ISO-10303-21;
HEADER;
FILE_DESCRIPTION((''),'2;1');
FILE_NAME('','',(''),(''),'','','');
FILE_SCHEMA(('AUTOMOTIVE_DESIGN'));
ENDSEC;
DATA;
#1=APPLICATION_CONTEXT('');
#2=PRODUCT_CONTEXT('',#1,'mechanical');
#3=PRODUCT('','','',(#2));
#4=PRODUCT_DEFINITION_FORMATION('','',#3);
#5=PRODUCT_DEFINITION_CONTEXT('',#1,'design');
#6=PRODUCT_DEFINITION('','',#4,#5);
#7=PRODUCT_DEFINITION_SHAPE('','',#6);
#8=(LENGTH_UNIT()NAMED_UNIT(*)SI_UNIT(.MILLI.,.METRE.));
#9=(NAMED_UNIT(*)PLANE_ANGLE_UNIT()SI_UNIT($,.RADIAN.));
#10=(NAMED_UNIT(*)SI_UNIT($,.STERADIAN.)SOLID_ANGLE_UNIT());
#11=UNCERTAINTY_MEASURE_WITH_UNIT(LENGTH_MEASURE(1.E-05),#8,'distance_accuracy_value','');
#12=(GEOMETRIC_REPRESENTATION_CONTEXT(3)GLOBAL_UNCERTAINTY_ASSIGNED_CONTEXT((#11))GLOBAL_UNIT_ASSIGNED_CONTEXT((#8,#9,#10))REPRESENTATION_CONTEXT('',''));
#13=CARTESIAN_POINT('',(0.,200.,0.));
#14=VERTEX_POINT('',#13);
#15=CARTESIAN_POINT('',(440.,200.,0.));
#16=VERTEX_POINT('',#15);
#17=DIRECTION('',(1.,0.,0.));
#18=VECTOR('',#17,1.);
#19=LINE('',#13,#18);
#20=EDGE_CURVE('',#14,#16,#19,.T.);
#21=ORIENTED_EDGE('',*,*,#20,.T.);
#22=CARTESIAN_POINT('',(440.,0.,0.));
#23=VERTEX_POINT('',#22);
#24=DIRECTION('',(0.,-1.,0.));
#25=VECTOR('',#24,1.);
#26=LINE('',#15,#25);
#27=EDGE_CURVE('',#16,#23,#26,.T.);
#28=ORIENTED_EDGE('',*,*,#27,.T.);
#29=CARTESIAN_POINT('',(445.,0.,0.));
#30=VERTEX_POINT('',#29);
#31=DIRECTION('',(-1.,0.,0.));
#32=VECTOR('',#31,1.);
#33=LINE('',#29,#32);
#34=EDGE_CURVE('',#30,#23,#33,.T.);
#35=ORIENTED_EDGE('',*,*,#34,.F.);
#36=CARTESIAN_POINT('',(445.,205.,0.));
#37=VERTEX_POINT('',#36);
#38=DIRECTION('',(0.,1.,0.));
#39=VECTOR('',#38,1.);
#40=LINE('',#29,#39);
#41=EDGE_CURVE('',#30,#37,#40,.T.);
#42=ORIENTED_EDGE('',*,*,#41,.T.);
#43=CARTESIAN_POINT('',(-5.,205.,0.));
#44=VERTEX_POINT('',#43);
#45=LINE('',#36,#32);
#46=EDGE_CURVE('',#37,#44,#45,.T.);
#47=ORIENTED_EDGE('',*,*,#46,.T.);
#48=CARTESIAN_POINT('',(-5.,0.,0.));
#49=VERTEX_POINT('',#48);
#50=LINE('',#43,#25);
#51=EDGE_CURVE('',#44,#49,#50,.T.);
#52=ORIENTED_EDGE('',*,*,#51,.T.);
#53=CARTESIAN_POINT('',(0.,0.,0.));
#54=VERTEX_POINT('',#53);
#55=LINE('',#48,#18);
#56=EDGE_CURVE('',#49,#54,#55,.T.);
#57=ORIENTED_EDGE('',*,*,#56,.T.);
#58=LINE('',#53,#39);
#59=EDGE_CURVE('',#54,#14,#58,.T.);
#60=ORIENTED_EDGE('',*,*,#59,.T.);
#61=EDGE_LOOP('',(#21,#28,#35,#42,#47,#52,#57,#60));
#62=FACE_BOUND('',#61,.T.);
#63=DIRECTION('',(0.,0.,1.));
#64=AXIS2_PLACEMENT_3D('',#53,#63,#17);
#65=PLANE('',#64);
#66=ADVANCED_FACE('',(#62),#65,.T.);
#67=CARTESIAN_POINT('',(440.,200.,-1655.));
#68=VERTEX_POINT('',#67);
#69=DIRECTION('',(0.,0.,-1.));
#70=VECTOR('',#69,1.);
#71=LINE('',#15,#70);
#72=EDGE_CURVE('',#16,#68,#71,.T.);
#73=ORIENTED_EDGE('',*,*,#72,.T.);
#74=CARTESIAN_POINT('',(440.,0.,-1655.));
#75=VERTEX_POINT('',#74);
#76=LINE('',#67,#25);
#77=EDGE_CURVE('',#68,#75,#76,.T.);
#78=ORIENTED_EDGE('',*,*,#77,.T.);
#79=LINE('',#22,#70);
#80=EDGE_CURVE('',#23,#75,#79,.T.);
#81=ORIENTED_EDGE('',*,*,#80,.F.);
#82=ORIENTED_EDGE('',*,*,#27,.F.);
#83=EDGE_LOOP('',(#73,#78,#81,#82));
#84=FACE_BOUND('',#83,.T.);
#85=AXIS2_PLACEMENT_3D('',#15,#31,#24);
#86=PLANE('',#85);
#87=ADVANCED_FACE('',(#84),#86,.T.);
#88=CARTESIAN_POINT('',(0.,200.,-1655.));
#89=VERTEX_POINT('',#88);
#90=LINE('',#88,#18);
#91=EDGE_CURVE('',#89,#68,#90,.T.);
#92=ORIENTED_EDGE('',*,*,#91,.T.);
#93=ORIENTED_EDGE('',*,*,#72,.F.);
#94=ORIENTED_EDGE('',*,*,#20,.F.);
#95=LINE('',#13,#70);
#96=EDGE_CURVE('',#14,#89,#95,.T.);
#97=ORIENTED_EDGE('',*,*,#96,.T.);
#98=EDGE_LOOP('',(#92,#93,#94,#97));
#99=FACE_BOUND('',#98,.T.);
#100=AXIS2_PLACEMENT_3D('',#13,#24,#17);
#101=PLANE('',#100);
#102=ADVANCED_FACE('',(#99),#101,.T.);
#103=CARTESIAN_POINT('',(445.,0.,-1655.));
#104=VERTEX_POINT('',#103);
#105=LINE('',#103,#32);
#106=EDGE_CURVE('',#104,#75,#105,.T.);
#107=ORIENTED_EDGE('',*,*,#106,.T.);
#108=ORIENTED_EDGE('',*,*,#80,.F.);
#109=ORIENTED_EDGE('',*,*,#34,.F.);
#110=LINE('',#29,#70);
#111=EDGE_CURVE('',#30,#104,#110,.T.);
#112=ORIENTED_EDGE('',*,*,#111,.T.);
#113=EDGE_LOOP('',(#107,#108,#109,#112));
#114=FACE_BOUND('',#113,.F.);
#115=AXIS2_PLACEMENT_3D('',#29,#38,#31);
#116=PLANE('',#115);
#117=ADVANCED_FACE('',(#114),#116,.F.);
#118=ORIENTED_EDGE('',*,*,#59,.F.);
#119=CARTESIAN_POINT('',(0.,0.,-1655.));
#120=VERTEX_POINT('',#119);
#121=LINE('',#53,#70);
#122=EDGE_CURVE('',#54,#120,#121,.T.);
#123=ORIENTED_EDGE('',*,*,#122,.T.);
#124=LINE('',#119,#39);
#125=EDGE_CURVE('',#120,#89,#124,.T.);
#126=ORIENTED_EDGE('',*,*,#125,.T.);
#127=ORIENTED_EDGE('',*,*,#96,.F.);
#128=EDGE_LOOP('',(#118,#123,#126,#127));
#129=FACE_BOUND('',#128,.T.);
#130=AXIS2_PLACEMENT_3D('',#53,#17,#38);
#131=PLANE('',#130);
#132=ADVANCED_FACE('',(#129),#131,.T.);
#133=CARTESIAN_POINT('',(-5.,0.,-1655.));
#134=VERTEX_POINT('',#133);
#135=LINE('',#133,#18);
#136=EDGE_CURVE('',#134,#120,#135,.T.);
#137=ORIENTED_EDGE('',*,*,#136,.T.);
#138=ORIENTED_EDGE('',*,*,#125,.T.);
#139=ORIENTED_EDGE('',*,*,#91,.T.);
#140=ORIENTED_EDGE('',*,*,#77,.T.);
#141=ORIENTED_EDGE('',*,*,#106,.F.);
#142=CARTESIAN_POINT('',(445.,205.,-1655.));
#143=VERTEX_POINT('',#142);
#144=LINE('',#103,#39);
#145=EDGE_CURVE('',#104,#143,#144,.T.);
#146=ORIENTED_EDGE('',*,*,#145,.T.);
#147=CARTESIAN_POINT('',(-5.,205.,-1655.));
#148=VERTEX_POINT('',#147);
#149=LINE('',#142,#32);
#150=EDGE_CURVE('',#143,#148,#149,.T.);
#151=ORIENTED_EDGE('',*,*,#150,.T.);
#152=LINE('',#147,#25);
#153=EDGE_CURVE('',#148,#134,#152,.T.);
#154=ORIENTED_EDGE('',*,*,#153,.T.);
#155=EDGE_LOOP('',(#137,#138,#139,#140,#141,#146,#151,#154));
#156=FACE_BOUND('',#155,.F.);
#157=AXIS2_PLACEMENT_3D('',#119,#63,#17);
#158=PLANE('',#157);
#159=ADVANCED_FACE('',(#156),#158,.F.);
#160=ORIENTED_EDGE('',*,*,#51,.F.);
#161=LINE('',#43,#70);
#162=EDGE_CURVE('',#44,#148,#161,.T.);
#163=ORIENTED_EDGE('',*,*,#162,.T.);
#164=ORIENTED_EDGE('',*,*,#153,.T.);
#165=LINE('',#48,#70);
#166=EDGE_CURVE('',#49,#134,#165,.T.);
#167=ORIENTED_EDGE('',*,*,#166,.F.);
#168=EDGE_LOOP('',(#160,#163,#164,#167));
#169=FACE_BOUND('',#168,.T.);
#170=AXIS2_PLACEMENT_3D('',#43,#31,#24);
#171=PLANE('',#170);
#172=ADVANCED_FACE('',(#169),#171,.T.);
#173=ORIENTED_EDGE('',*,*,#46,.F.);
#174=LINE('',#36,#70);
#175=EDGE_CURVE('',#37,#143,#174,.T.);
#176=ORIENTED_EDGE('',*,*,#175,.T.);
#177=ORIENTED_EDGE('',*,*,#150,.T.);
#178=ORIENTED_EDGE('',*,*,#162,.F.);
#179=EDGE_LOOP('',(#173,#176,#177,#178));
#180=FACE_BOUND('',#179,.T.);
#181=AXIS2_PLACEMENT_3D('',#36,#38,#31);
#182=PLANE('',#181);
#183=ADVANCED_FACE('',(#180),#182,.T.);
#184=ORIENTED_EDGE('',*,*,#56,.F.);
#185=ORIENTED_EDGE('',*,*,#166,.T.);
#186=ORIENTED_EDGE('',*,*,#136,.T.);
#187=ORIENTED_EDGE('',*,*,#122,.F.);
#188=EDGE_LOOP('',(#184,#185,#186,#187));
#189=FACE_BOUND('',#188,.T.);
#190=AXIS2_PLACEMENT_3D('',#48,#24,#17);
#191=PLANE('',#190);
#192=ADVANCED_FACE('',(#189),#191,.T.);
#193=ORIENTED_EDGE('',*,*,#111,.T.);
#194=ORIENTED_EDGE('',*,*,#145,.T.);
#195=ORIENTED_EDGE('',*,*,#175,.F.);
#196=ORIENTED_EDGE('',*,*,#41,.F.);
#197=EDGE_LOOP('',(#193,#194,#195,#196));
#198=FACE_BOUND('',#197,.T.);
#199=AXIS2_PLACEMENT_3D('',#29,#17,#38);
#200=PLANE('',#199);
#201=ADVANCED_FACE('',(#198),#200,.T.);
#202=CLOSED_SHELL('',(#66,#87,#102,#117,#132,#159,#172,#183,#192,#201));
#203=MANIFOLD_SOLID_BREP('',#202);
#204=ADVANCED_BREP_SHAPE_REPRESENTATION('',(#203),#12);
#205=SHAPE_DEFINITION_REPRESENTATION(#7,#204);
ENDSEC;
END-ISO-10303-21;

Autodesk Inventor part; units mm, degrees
ref_plane "YZ Plane" through (0, 0, 0) normal (1, 0, 0) x (0, 1, 0)
ref_plane "XZ Plane" through (0, 0, 0) normal (0, 1, 0) x (-1, 0, 0)
ref_plane "XY Plane" through (0, 0, 0) normal (0, 0, 1) x (1, 0, 0)
sketch "Sketch1" plane through (0, 0, 0) normal (0, 0, 1) x (1, 0, 0)
  line L0 (0, 0) -> (0, 200)
  line L1 (0, 200) -> (440, 200)
  line L2 (440, 200) -> (440, 0)
  line L3 (445, 0) -> (445, 205)
  line L4 (445, 205) -> (-5, 205)
  line L5 (-5, 205) -> (-5, 0)
  line L6 (-5, 0) -> (0, 0)
  line L7 (445, 0) -> (440, 0)
  dimension "d1" = 440
  dimension "d4" = 200
  dimension "d5" = 440
  dimension "d6" = 5
extrude "Extrusion1" add sketch "Sketch1" against normal blind 1655
properties part number "Proteção" material "Polycarbonate, Clear"
